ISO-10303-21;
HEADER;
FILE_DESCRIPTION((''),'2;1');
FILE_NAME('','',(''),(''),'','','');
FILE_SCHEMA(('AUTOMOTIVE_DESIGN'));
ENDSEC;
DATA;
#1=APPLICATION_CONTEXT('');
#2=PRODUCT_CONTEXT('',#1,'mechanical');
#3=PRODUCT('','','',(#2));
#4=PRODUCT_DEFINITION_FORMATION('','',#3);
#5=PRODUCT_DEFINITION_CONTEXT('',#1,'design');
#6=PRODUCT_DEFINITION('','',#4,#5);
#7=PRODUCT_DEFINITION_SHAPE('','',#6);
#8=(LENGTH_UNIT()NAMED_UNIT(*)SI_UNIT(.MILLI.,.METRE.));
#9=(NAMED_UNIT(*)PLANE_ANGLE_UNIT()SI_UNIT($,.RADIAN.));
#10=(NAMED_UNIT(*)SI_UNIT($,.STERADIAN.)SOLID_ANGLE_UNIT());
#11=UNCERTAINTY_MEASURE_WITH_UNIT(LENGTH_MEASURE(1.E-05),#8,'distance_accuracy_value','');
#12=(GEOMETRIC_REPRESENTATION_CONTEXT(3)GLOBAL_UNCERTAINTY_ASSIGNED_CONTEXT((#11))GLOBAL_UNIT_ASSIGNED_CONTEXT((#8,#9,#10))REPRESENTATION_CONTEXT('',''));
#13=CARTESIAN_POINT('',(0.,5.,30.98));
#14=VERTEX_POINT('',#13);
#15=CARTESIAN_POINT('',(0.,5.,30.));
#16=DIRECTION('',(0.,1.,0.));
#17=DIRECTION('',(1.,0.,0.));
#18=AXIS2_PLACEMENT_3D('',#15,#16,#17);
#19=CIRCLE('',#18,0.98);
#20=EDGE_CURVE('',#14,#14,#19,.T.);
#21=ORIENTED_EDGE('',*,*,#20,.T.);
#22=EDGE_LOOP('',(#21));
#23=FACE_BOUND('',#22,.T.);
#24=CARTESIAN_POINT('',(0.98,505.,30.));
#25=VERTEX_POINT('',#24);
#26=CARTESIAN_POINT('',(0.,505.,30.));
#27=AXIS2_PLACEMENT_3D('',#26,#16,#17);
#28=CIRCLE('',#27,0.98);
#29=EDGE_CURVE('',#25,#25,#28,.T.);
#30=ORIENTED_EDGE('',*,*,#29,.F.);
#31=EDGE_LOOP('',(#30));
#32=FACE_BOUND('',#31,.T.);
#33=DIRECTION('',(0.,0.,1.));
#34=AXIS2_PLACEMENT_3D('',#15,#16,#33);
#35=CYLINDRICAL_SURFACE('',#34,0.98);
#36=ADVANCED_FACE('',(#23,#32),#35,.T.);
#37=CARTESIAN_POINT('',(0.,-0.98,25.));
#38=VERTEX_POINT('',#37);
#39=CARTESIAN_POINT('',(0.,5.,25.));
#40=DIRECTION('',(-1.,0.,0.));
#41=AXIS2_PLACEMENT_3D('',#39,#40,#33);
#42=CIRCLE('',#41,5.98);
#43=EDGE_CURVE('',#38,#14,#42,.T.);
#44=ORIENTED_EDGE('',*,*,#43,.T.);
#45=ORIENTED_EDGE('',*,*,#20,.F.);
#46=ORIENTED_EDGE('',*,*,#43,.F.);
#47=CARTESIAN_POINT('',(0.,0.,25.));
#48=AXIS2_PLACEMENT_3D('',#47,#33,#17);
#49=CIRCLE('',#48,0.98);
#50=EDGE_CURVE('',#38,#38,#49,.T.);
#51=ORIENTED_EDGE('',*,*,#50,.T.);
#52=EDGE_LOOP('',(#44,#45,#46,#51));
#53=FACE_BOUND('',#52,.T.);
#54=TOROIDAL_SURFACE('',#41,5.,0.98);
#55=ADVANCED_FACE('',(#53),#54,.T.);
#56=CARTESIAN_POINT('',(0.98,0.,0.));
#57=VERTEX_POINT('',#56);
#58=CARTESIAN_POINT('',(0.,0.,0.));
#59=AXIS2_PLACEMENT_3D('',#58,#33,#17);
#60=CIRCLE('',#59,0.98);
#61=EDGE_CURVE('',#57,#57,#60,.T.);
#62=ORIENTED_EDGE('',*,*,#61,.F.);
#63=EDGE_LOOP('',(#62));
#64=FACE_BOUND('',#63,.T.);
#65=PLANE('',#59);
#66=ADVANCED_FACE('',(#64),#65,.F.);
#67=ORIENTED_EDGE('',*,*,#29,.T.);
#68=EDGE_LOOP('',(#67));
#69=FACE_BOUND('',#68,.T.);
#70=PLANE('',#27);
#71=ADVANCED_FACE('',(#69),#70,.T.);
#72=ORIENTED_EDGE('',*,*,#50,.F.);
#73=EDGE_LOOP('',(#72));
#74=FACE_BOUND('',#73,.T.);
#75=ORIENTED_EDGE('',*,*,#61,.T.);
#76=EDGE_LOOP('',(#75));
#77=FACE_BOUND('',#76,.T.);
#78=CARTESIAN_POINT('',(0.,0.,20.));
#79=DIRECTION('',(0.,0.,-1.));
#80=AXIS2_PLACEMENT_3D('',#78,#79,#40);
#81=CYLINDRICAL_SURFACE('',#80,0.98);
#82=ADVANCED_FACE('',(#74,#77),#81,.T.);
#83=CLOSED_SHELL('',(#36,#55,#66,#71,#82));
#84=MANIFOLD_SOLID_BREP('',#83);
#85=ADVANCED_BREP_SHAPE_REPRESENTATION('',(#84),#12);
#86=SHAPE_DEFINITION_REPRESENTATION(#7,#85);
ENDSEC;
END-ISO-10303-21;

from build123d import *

# Parameters (mm, degrees)
SKETCH_1_R      = 0.98
EXTRUDE_1_DEPTH = 20
SKETCH_2_R      = 0.98


with BuildPart() as part:
    # ｽｹｯﾁ1 → ﾎﾞｽ - 押し出し1 (new body)
    with BuildSketch(Plane.XY):
        Circle(SKETCH_1_R)
    extrude(amount=EXTRUDE_1_DEPTH)

    # ｽｲｰﾌﾟ1: sweep along a path in ｽｹｯﾁ3
    with BuildLine(Plane(origin=(0, 0, 0), x_dir=(0, 0, -1), z_dir=(1, 0, 0))) as sweep_1_path:
        Line((-20, 0), (-25, 0))
        ThreePointArc((-25, 0), (-28.535533906, 1.464466094), (-30, 5))
        Line((-30, 5), (-30, 505))
    # ｽｹｯﾁ2 → ｽｲｰﾌﾟ1 (sweep)
    with BuildSketch(Plane.XY.offset(20)):
        Circle(SKETCH_2_R)
    sweep(path=sweep_1_path.line)


solid = part.part
